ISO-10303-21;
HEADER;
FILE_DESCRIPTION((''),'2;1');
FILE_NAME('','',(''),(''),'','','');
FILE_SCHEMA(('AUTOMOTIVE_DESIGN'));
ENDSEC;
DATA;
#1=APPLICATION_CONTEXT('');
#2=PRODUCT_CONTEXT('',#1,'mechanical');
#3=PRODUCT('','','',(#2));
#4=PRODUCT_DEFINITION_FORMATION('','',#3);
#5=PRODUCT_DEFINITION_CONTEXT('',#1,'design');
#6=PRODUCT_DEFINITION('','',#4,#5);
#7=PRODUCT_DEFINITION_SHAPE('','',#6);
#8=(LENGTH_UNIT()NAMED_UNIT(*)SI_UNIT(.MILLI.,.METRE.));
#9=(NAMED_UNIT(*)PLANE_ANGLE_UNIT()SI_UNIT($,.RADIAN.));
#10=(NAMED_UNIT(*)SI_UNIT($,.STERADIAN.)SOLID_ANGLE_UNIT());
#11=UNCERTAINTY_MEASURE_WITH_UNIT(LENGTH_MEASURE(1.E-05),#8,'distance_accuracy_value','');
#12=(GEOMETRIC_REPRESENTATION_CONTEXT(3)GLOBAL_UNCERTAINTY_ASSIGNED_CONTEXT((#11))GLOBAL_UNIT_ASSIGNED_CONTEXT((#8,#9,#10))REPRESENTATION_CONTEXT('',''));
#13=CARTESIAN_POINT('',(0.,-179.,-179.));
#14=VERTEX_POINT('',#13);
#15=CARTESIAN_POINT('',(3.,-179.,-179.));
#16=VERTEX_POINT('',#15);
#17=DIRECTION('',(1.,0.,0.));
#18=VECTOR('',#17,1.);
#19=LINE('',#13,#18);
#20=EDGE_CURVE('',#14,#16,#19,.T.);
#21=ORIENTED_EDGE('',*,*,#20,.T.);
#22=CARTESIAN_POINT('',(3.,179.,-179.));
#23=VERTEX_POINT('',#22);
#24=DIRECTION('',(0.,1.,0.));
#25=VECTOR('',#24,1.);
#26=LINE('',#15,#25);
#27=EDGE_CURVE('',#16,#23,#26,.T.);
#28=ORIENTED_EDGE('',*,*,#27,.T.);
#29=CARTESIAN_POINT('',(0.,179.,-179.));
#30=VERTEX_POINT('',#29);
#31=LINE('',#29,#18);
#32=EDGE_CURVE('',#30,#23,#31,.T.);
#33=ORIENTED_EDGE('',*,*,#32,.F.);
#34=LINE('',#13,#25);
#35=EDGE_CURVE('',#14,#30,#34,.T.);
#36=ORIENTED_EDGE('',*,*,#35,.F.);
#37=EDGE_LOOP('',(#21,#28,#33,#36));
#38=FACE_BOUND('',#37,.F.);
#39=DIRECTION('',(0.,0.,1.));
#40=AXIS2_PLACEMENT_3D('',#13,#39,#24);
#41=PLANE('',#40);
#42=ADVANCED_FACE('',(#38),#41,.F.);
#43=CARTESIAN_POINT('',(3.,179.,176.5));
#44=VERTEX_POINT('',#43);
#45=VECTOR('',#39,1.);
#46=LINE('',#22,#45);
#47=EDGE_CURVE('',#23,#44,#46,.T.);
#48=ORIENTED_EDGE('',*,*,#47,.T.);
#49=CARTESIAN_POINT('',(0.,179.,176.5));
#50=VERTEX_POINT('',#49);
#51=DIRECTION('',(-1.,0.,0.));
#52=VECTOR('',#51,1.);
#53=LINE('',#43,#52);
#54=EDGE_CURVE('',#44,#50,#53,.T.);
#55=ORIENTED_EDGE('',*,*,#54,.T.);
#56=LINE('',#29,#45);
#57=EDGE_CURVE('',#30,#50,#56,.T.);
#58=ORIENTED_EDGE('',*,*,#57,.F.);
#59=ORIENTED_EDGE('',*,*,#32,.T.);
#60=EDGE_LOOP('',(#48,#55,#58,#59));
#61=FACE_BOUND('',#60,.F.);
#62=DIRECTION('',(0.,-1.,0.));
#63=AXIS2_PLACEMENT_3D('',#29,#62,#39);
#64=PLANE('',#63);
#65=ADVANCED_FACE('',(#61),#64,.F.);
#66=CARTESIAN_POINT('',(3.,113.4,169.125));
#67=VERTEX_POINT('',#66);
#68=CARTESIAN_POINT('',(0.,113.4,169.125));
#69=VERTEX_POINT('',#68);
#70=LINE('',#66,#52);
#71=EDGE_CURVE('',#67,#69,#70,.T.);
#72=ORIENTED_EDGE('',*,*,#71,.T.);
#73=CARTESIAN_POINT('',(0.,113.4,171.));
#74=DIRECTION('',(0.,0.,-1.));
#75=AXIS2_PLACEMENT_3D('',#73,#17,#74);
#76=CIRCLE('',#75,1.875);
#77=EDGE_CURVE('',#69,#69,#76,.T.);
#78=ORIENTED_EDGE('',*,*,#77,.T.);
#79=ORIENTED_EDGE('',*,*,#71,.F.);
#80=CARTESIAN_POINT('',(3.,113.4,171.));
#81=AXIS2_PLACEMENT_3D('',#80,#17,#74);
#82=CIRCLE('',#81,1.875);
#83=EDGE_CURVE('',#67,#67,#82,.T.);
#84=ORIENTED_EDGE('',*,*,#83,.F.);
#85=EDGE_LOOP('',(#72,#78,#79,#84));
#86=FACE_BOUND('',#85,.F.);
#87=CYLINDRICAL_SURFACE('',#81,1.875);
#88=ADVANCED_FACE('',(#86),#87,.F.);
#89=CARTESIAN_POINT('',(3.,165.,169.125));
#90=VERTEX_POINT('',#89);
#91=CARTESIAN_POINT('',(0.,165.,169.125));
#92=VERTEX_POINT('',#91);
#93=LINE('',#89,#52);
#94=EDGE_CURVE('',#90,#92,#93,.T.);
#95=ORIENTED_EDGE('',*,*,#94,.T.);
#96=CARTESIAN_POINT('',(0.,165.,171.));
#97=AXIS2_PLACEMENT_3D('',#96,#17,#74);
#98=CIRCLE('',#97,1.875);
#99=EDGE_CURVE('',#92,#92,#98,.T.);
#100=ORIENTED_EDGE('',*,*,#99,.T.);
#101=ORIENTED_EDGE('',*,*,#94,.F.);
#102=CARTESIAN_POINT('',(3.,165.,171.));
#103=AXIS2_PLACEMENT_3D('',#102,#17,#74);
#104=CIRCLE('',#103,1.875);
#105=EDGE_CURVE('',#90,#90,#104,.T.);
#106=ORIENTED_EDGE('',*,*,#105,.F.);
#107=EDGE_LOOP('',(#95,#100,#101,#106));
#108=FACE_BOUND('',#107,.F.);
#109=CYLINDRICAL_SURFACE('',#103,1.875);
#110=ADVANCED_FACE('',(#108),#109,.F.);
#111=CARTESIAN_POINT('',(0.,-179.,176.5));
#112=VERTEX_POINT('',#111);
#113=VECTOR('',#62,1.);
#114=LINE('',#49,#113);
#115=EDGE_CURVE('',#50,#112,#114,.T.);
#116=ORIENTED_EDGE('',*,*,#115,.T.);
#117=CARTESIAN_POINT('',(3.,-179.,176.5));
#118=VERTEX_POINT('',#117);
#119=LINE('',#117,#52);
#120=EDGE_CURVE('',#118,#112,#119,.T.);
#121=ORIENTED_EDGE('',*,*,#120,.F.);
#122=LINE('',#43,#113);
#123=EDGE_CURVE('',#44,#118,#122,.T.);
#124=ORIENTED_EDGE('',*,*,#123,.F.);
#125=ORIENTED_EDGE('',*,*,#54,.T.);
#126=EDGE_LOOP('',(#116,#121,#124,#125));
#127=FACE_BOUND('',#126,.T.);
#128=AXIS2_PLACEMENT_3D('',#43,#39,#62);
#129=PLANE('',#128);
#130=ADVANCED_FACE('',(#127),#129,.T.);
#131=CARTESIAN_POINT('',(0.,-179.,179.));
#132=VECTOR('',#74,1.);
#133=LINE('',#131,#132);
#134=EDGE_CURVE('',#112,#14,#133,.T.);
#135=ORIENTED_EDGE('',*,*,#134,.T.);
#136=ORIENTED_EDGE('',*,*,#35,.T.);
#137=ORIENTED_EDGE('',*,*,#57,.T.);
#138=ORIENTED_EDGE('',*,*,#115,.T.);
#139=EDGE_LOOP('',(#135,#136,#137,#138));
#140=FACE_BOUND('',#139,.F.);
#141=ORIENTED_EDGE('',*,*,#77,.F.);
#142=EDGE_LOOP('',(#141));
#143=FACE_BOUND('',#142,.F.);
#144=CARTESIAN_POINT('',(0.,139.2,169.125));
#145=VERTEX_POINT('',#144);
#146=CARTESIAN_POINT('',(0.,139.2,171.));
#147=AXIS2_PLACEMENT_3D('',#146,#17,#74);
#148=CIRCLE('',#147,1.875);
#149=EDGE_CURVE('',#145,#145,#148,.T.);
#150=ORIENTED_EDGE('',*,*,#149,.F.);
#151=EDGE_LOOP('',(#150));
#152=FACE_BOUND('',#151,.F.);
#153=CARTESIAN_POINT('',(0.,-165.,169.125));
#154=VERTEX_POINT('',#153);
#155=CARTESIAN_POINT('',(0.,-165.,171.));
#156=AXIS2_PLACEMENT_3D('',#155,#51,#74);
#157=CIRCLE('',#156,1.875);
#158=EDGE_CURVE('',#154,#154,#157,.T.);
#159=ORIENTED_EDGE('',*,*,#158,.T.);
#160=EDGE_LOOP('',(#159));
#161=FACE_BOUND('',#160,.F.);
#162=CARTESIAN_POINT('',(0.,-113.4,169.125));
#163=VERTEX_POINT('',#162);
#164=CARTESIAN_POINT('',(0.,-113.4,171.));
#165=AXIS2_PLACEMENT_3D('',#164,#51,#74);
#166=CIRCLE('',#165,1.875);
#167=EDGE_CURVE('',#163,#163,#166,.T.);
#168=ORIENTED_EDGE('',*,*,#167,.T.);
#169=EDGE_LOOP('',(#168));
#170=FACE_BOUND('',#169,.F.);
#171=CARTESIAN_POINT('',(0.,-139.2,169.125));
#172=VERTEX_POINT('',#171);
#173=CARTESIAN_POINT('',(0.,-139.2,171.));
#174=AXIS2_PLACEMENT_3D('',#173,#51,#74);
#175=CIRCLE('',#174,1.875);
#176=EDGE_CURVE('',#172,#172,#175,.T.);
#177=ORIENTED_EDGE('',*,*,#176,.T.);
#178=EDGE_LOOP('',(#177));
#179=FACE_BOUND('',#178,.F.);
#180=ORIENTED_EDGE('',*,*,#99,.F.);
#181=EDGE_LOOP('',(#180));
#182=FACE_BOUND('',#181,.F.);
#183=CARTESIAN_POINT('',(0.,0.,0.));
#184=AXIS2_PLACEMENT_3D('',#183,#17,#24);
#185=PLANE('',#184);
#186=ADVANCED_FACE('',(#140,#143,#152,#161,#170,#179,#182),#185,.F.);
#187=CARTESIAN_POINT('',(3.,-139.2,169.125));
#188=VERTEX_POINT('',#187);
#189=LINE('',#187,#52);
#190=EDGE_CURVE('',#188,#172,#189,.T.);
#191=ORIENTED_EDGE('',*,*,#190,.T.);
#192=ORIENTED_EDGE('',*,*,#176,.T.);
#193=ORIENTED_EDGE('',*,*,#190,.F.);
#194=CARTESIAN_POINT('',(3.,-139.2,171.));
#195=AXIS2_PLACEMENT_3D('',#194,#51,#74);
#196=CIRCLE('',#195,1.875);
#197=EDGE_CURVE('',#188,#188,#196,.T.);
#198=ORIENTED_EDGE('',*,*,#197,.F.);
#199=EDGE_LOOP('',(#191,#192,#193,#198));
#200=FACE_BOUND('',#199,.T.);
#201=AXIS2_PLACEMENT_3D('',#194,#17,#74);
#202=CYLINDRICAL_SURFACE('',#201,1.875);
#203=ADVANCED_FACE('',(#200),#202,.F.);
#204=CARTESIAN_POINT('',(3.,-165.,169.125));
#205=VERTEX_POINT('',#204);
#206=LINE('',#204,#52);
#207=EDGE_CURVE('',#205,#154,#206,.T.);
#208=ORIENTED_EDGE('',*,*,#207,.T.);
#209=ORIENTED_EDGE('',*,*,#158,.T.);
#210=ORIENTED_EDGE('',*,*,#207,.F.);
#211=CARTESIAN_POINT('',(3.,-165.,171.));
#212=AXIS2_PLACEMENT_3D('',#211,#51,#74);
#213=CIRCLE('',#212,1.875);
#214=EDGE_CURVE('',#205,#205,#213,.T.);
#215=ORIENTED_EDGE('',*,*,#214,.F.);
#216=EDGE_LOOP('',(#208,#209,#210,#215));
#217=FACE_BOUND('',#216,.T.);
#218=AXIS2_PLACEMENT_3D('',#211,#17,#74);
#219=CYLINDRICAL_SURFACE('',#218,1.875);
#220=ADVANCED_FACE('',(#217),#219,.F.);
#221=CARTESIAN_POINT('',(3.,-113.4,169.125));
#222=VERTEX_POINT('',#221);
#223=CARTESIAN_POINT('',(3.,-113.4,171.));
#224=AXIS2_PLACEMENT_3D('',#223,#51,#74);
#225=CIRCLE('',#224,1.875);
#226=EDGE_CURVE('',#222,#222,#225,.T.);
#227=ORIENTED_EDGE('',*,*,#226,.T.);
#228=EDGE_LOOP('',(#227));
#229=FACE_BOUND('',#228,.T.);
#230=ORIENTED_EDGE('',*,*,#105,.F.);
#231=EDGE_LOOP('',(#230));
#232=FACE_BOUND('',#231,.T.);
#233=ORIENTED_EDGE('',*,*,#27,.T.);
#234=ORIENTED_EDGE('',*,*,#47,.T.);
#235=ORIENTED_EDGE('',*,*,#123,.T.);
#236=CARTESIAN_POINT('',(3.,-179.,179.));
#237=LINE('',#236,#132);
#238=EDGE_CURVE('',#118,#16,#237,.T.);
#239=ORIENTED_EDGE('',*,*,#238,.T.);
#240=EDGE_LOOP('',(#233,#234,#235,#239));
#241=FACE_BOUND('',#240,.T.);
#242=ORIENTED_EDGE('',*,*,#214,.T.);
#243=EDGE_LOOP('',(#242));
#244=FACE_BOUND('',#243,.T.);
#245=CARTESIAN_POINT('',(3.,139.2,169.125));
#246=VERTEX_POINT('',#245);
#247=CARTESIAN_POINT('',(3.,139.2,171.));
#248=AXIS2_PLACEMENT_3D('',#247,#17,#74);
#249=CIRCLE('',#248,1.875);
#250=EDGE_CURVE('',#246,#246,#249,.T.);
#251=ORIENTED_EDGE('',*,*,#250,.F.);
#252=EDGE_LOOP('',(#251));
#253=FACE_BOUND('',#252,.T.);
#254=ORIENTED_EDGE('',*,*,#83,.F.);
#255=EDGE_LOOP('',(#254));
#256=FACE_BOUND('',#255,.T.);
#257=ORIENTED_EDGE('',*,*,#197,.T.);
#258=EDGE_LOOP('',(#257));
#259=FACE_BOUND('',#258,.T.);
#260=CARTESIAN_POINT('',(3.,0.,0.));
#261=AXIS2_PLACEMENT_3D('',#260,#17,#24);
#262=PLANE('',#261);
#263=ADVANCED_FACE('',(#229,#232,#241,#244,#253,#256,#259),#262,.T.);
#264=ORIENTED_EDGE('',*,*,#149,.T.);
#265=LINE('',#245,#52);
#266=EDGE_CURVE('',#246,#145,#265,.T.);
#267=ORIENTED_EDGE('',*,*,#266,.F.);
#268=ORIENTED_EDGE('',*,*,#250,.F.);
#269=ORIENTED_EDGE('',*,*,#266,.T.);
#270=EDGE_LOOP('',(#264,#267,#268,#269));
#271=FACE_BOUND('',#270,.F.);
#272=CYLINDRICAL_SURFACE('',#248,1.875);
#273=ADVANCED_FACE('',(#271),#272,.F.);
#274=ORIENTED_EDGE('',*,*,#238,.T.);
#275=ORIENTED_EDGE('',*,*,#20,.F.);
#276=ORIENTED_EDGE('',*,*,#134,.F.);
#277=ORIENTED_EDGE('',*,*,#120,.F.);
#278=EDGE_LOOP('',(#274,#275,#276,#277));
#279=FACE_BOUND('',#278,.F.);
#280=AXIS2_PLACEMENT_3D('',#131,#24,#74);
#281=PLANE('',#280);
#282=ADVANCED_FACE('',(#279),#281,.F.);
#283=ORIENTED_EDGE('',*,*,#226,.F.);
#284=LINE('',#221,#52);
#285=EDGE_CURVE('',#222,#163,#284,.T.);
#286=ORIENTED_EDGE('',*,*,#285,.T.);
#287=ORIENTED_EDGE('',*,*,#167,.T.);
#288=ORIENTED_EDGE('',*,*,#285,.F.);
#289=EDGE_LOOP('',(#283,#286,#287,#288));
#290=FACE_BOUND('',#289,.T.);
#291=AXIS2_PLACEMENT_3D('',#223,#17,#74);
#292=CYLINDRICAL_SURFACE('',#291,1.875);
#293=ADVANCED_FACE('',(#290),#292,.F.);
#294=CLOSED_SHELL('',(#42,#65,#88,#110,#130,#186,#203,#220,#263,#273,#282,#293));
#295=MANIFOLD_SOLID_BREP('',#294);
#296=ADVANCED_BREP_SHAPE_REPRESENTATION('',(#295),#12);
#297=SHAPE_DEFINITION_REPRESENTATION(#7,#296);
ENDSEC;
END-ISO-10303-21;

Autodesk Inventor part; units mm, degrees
ref_plane "YZ Plane" through (0, 0, 0) normal (1, 0, 0) x (0, 1, 0)
ref_plane "XZ Plane" through (0, 0, 0) normal (0, 1, 0) x (-1, 0, 0)
ref_plane "XY Plane" through (0, 0, 0) normal (0, 0, 1) x (1, 0, 0)
sketch "Sketch1" plane through (0, 0, 0) normal (1, 0, 0) x (0, 1, 0)
  line L0 (179, 179) -> (-179, 179)
  line L1 (-179, 179) -> (-179, -179)
  line L2 (-179, -179) -> (179, -179)
  line L3 (179, -179) -> (179, 179)
  line L4 (179, 179) -> (-179, -179) construction
  line L5 (-179, 179) -> (179, -179) construction
  point P0 (0, 0)
  dimension "d0" = 358
  dimension "d1" = 358
extrude "Extrusion1" add sketch "Sketch1" along normal blind 3
sketch "Sketch2" plane through (3, 0, 0) normal (1, 0, 0) x (0, 0, -1)
  circle A0 centre (-171, 165) radius 1.875
  circle A1 centre (-171, 139.2) radius 1.875
  circle A2 centre (-171, 113.4) radius 1.875
  line L0 (179, 179) -> (-179, 179) projected
  line L1 (-179, 179) -> (-179, -179) projected
  point P0 (0, 0)
  dimension "d4" = 3.75
  dimension "d5" = 3.75
  dimension "d6" = 3.75
  dimension "d7" = 14
  dimension "d8" = 25.8
  dimension "d9" = 25.8
  dimension "d10" = 8
extrude "Extrusion2" cut sketch "Sketch2" against normal blind 3
mirror "Mirror1" about plane through (0, 0, 0) normal (0, 1, 0) of "Extrusion2"
sketch "Sketch3" plane through (3, 0, 0) normal (1, 0, 0) x (0, 0, -1)
  line L0 (-179, 179) -> (-176.5, 179)
  line L1 (179, 179) -> (-179, 179) projected
  line L2 (-176.5, 179) -> (-176.5, -179)
  line L3 (-179, -179) -> (179, -179) projected
  line L4 (-176.5, -179) -> (-179, -179)
  line L5 (-179, -179) -> (-179, 179)
  point P0 (0, 0)
  dimension "d13" = 2.5
  dimension "d14" = 90
extrude "Extrusion3" cut sketch "Sketch3" against normal blind 3
properties part number "front_cover"
